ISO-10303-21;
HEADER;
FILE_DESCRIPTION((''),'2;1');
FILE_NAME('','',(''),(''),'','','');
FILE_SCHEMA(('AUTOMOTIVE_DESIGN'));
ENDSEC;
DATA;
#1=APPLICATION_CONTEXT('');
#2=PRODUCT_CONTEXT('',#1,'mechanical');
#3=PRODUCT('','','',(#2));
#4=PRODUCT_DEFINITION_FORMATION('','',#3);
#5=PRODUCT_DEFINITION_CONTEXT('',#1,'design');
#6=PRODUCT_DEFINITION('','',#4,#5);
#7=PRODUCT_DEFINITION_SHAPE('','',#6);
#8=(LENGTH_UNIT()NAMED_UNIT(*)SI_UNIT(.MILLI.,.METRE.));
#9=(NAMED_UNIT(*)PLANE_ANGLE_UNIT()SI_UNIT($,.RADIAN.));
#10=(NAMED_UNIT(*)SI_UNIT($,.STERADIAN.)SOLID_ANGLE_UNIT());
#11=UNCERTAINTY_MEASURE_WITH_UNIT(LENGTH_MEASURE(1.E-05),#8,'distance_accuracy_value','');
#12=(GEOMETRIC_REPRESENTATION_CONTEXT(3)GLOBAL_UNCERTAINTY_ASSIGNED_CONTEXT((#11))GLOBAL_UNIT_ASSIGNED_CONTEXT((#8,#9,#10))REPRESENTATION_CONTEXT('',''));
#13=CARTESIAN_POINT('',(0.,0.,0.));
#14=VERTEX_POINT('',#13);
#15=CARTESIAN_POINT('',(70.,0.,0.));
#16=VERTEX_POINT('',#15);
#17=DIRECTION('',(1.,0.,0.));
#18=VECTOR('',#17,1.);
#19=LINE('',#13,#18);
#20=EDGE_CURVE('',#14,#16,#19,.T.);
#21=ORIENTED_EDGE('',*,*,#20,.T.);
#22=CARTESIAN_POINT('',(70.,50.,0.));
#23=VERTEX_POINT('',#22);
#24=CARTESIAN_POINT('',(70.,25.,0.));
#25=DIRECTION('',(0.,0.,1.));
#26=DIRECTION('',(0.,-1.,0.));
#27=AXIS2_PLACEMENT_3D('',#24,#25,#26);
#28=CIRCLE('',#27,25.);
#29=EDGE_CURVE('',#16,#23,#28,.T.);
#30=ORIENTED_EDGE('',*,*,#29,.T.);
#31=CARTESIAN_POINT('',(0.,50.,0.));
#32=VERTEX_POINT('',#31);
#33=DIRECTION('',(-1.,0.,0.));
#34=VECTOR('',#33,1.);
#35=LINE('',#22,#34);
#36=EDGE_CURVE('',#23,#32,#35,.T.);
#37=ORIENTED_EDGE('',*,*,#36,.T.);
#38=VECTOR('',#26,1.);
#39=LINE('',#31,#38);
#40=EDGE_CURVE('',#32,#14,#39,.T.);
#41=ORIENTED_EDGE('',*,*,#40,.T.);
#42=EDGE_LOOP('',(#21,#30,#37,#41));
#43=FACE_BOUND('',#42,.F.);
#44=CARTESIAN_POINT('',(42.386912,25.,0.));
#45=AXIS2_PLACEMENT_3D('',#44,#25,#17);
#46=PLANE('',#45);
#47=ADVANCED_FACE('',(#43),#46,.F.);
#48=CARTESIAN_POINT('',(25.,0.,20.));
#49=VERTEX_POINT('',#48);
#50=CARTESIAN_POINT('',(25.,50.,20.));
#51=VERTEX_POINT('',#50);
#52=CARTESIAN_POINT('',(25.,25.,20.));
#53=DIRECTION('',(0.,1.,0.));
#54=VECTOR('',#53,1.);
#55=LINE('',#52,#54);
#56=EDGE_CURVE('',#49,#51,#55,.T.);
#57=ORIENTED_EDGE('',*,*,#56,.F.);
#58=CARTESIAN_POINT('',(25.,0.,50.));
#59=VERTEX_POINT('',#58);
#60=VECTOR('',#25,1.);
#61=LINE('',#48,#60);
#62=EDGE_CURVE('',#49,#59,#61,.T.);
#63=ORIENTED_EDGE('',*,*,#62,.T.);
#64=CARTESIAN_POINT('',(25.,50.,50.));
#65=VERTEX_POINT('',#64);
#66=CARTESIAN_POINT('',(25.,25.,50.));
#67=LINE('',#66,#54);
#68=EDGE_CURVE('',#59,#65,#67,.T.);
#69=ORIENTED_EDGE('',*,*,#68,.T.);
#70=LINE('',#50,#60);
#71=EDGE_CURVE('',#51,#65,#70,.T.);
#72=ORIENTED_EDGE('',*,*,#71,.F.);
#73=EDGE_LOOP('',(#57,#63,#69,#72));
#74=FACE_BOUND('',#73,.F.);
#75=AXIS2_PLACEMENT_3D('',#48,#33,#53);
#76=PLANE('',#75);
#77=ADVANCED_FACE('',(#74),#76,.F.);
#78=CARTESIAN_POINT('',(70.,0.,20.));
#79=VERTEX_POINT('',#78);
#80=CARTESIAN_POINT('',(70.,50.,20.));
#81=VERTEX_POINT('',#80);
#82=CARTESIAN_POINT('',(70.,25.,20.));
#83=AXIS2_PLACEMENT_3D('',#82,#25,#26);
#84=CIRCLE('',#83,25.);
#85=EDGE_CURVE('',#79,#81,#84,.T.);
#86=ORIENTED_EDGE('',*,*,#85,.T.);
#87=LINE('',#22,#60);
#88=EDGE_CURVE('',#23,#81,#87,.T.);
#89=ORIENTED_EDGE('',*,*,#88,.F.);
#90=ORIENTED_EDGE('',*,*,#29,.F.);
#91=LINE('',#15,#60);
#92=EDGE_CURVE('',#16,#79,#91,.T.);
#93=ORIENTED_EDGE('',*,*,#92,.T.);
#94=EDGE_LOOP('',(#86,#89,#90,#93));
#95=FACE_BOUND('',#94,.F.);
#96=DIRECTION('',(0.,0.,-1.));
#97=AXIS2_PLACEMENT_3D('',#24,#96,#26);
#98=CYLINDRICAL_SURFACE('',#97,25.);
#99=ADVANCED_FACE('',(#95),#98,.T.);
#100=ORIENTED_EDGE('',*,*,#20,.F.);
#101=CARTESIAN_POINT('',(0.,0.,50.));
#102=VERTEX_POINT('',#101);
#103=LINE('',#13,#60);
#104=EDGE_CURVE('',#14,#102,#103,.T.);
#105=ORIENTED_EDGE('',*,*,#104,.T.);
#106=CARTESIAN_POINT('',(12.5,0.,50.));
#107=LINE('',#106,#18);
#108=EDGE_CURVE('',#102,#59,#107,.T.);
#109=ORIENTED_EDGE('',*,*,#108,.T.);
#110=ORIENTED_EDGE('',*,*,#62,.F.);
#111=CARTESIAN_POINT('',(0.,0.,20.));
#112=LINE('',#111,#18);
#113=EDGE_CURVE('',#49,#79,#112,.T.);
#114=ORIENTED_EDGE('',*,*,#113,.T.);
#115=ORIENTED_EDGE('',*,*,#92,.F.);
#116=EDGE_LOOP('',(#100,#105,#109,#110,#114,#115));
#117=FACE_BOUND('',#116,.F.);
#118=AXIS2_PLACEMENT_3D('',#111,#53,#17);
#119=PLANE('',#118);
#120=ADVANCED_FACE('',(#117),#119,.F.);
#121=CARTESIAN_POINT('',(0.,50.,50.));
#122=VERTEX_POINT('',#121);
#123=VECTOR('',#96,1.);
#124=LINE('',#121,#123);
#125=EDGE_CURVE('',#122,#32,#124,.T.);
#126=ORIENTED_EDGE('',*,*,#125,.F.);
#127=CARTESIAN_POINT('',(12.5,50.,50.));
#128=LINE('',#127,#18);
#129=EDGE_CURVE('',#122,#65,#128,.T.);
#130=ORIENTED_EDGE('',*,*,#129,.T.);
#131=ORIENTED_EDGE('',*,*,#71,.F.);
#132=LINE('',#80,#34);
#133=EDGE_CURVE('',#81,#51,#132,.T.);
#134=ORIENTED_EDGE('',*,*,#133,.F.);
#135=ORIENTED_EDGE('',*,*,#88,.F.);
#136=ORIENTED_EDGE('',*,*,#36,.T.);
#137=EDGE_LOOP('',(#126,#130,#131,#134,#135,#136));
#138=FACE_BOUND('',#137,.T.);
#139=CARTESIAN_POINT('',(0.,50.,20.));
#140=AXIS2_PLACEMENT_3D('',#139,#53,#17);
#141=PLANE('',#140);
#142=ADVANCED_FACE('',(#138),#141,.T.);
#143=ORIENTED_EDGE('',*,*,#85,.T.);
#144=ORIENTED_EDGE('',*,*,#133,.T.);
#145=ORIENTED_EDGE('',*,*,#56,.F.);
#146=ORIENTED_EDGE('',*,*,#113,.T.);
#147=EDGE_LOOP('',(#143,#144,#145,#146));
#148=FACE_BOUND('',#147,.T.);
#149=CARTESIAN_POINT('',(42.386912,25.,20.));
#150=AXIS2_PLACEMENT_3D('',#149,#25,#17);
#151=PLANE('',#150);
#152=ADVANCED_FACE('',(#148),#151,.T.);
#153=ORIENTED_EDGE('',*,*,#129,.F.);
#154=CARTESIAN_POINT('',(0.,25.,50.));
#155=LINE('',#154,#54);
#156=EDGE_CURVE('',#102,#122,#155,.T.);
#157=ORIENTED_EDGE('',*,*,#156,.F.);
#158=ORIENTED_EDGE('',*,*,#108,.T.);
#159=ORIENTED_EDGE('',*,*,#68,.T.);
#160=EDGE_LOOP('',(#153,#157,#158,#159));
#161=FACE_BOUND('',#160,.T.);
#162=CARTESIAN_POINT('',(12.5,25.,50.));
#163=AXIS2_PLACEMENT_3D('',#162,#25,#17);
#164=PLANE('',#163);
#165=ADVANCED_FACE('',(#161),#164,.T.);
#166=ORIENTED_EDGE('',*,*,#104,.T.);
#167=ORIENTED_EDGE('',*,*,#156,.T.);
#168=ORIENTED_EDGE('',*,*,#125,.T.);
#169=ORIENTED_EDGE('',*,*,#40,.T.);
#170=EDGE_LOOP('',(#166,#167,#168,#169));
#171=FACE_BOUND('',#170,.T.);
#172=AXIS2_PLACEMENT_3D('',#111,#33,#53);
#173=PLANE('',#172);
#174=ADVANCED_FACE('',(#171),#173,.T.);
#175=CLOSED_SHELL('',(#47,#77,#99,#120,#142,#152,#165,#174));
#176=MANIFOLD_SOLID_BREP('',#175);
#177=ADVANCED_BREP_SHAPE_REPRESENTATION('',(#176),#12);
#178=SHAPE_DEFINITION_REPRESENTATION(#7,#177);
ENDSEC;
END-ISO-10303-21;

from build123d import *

# Parameters (mm, degrees)
F1_DEPTH = 20
F2_W     = 25
F2_H     = 50
F3_DEPTH = 30


with BuildPart() as f1:
    # F0 (on Top) → F1 (new body)
    with BuildSketch(Plane.XY):
        with BuildLine():
            Line((0, 50), (0, 0))
            Line((0, 0), (70, 0))
            ThreePointArc((70, 0), (95, 25), (70, 50))
            Line((70, 50), (0, 50))
        make_face()
    extrude(amount=F1_DEPTH)

    # F2 (on face) → F3 (join)
    with BuildSketch(Plane.XY.offset(20)):
        with Locations((12.5, 25)):
            Rectangle(F2_W, F2_H)
    extrude(amount=F3_DEPTH)


solid = f1.part
